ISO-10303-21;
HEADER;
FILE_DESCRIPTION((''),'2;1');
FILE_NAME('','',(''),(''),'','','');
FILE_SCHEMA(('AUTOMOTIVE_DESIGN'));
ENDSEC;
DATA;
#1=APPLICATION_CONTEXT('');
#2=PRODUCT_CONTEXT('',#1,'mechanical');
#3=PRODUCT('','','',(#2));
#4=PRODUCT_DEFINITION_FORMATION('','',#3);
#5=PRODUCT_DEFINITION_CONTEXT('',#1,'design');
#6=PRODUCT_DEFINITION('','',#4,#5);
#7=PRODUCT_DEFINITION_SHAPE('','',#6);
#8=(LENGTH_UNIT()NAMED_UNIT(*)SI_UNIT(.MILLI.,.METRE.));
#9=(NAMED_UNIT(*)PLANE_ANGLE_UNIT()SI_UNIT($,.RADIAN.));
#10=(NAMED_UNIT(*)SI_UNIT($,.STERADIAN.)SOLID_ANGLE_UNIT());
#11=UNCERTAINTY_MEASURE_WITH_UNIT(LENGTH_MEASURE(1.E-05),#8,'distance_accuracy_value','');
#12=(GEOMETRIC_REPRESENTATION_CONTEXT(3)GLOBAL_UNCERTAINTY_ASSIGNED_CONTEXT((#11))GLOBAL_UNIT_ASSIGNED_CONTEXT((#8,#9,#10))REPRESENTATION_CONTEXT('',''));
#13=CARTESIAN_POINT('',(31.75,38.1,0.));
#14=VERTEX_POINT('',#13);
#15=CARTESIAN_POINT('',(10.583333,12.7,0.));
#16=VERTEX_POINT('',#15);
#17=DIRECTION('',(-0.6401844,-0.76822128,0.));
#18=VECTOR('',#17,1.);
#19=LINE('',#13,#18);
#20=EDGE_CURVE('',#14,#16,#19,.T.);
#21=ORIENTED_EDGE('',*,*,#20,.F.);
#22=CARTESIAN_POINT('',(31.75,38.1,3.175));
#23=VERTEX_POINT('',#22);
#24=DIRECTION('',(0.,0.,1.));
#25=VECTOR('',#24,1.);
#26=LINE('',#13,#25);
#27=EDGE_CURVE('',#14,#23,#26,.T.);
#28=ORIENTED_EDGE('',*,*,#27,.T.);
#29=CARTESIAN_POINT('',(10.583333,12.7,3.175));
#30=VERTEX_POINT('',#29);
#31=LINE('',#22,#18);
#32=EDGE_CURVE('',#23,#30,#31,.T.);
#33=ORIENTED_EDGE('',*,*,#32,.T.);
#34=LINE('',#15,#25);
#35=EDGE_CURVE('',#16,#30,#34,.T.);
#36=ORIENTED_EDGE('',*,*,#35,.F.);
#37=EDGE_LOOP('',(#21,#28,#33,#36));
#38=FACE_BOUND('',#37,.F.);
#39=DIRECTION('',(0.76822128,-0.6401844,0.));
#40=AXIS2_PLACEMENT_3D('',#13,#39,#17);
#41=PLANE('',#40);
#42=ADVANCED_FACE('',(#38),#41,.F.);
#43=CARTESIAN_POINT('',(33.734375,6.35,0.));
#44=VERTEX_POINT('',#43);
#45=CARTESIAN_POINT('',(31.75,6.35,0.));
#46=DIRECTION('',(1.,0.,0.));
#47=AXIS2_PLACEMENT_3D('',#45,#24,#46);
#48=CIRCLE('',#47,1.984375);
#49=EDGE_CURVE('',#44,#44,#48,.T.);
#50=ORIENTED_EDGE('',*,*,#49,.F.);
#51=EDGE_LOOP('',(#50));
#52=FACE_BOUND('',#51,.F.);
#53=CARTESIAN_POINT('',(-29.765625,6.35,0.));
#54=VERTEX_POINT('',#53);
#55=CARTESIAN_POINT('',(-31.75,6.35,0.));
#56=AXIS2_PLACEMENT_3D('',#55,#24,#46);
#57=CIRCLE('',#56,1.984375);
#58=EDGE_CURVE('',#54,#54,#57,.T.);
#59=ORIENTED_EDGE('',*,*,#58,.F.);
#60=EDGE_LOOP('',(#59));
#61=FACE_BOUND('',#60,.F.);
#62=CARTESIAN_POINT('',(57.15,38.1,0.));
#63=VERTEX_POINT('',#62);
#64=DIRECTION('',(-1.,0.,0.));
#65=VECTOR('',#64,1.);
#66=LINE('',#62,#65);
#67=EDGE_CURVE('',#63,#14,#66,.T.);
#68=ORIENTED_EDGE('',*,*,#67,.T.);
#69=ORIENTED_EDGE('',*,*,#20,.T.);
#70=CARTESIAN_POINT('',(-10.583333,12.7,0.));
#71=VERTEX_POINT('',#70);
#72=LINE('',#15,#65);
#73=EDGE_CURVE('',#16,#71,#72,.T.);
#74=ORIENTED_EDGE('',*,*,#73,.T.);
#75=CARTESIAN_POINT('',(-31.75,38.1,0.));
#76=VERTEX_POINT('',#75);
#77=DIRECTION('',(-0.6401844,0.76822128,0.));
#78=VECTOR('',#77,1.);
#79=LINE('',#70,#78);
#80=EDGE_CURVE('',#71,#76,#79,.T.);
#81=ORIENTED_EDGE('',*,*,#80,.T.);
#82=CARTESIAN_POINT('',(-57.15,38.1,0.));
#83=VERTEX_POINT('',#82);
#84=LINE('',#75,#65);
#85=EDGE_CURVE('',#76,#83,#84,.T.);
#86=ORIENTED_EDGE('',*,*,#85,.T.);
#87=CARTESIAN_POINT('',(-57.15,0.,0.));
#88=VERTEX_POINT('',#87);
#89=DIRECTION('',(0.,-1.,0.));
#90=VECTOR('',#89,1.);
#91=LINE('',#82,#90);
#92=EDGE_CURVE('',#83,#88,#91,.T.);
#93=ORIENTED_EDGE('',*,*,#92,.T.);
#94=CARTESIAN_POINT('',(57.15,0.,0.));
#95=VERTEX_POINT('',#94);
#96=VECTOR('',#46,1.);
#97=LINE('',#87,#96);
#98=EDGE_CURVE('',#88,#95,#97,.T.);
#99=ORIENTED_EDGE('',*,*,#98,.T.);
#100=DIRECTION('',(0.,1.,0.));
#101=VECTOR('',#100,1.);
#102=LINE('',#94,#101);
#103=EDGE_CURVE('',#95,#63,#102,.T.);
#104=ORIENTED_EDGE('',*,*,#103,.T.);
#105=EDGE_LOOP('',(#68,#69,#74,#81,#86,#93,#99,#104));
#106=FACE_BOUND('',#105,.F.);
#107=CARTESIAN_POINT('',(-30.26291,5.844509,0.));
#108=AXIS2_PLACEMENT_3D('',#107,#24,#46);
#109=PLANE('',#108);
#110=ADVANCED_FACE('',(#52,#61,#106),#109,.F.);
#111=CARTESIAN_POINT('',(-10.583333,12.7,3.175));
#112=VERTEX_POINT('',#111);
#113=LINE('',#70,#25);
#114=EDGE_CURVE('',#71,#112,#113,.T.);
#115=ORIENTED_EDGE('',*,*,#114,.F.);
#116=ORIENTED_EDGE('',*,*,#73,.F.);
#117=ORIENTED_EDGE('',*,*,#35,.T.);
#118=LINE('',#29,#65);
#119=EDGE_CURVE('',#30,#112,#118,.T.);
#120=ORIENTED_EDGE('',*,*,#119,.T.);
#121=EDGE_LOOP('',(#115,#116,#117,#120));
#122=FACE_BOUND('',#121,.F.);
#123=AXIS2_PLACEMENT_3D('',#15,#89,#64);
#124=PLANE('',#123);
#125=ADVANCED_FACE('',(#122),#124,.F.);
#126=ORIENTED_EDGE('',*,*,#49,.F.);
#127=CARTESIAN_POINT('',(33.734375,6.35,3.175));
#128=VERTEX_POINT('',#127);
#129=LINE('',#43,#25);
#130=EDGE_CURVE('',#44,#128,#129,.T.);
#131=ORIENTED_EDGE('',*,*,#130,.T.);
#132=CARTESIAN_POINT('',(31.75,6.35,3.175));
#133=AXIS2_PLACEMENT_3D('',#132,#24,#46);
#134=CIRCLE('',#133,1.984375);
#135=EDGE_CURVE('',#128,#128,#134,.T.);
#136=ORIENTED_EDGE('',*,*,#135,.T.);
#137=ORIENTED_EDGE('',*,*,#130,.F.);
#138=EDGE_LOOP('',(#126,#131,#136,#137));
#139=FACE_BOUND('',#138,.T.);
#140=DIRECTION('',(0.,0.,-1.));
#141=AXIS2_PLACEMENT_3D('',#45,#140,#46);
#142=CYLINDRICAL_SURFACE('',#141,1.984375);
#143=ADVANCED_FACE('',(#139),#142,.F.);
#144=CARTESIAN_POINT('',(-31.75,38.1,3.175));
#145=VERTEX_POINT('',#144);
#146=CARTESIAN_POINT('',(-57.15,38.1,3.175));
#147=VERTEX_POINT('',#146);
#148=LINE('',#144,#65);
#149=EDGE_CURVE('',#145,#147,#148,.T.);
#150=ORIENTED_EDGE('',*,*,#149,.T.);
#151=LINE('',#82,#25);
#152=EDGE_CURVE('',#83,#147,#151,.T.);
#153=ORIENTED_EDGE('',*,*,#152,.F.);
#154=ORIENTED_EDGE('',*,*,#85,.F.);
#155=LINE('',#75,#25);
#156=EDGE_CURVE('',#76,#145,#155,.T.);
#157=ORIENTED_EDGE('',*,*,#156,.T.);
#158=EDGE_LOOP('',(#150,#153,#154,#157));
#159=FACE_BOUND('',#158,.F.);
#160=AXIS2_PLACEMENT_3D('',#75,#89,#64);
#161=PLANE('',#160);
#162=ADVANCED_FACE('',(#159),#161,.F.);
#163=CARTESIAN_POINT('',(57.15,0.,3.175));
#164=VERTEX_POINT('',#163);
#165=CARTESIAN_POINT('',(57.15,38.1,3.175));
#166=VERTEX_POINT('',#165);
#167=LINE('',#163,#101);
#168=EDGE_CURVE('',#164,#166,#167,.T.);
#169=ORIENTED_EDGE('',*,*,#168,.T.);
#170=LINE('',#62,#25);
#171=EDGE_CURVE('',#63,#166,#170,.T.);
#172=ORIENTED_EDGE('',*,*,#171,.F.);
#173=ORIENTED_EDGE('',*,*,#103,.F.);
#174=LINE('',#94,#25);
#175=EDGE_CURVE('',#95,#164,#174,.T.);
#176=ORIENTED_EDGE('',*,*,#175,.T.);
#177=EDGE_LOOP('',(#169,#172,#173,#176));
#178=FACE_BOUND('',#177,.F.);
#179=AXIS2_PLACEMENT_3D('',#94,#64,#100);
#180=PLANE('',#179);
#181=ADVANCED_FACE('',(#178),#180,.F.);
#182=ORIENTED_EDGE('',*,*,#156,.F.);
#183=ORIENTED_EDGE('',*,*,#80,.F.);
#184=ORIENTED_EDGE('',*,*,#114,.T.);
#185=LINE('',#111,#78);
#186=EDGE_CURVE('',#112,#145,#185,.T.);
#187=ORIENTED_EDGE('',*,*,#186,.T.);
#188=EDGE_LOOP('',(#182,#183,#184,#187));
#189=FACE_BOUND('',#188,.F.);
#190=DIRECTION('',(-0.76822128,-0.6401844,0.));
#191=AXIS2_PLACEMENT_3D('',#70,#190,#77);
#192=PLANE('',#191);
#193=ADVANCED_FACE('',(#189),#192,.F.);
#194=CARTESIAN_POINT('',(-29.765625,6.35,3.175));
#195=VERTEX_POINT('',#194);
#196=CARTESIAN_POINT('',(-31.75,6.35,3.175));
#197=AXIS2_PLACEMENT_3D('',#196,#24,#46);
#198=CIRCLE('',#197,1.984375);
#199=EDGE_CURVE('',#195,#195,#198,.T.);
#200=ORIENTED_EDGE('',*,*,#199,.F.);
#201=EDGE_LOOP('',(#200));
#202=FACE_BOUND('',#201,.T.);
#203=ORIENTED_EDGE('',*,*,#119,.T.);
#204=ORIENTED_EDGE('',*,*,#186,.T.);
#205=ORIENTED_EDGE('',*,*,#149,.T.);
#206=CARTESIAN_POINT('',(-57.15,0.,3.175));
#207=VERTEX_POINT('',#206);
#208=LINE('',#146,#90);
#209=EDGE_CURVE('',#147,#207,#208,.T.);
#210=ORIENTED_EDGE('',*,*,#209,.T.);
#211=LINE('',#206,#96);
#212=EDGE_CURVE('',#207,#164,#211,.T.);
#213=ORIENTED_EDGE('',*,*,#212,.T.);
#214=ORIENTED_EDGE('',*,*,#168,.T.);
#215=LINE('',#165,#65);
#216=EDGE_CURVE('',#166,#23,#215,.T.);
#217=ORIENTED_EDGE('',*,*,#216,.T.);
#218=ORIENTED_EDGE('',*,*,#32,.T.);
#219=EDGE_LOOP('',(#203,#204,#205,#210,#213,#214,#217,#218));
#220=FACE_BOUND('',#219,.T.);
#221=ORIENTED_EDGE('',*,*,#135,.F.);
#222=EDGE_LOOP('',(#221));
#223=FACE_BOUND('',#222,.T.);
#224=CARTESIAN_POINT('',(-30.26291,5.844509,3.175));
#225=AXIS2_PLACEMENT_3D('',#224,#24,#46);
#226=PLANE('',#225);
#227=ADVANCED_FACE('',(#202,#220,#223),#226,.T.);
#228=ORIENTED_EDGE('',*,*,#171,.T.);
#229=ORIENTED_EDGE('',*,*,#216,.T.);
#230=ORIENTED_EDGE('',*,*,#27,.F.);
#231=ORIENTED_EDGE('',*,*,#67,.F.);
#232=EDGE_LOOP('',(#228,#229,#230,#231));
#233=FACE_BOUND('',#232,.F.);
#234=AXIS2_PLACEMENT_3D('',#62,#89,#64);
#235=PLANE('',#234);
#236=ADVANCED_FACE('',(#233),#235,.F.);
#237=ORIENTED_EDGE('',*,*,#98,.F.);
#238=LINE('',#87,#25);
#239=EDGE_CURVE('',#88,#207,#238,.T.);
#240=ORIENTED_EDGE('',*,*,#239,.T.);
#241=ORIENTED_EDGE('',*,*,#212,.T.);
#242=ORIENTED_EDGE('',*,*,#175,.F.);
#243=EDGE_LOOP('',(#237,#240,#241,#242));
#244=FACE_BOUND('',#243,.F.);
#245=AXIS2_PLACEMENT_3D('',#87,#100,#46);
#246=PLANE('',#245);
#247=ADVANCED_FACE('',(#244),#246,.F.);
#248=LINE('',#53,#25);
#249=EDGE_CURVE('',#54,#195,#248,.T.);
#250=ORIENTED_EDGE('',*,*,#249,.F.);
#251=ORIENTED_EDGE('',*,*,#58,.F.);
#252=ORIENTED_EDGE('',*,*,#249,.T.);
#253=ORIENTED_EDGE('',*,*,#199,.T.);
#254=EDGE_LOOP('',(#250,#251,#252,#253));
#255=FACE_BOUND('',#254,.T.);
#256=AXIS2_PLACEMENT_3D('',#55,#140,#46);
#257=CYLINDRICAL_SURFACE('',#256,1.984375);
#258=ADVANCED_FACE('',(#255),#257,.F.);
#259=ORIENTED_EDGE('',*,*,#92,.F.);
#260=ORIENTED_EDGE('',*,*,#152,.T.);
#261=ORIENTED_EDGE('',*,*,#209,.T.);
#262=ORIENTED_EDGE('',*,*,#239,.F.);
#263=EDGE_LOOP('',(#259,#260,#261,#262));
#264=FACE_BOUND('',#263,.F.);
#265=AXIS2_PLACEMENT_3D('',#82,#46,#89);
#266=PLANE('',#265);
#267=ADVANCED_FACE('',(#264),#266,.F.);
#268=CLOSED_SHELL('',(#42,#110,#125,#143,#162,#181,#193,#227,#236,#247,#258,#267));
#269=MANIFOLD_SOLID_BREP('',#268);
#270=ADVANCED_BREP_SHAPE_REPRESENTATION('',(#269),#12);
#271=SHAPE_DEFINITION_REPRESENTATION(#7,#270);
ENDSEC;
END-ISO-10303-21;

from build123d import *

# Parameters (mm, degrees)
F0_R     = 1.984375
F1_DEPTH = 3.175


with BuildPart() as f1:
    # F0 (on Top) → F1 (new body)
    with BuildSketch(Plane.XY):
        Polygon((-57.15, 12.7), (-57.15, 0), (0, 0), (-10.5833333333, 12.7), align=None)
        with Locations((-31.75, 6.35)):
            Circle(F0_R, mode=Mode.SUBTRACT)
        Polygon((0, 12.7), (0, 0), (10.5833333333, 12.7), align=None)
        Polygon((-10.5833333333, 12.7), (0, 0), (0, 12.7), align=None)
        Polygon((31.75, 38.1), (10.5833333333, 12.7), (57.15, 12.7), (57.15, 38.1), align=None)
        Polygon((10.5833333333, 12.7), (0, 0), (57.15, 0), (57.15, 12.7), align=None)
        with Locations((31.75, 6.35)):
            Circle(F0_R, mode=Mode.SUBTRACT)
        Polygon((-57.15, 38.1), (-57.15, 12.7), (-10.5833333333, 12.7), (-31.75, 38.1), align=None)
    extrude(amount=F1_DEPTH)


solid = f1.part
